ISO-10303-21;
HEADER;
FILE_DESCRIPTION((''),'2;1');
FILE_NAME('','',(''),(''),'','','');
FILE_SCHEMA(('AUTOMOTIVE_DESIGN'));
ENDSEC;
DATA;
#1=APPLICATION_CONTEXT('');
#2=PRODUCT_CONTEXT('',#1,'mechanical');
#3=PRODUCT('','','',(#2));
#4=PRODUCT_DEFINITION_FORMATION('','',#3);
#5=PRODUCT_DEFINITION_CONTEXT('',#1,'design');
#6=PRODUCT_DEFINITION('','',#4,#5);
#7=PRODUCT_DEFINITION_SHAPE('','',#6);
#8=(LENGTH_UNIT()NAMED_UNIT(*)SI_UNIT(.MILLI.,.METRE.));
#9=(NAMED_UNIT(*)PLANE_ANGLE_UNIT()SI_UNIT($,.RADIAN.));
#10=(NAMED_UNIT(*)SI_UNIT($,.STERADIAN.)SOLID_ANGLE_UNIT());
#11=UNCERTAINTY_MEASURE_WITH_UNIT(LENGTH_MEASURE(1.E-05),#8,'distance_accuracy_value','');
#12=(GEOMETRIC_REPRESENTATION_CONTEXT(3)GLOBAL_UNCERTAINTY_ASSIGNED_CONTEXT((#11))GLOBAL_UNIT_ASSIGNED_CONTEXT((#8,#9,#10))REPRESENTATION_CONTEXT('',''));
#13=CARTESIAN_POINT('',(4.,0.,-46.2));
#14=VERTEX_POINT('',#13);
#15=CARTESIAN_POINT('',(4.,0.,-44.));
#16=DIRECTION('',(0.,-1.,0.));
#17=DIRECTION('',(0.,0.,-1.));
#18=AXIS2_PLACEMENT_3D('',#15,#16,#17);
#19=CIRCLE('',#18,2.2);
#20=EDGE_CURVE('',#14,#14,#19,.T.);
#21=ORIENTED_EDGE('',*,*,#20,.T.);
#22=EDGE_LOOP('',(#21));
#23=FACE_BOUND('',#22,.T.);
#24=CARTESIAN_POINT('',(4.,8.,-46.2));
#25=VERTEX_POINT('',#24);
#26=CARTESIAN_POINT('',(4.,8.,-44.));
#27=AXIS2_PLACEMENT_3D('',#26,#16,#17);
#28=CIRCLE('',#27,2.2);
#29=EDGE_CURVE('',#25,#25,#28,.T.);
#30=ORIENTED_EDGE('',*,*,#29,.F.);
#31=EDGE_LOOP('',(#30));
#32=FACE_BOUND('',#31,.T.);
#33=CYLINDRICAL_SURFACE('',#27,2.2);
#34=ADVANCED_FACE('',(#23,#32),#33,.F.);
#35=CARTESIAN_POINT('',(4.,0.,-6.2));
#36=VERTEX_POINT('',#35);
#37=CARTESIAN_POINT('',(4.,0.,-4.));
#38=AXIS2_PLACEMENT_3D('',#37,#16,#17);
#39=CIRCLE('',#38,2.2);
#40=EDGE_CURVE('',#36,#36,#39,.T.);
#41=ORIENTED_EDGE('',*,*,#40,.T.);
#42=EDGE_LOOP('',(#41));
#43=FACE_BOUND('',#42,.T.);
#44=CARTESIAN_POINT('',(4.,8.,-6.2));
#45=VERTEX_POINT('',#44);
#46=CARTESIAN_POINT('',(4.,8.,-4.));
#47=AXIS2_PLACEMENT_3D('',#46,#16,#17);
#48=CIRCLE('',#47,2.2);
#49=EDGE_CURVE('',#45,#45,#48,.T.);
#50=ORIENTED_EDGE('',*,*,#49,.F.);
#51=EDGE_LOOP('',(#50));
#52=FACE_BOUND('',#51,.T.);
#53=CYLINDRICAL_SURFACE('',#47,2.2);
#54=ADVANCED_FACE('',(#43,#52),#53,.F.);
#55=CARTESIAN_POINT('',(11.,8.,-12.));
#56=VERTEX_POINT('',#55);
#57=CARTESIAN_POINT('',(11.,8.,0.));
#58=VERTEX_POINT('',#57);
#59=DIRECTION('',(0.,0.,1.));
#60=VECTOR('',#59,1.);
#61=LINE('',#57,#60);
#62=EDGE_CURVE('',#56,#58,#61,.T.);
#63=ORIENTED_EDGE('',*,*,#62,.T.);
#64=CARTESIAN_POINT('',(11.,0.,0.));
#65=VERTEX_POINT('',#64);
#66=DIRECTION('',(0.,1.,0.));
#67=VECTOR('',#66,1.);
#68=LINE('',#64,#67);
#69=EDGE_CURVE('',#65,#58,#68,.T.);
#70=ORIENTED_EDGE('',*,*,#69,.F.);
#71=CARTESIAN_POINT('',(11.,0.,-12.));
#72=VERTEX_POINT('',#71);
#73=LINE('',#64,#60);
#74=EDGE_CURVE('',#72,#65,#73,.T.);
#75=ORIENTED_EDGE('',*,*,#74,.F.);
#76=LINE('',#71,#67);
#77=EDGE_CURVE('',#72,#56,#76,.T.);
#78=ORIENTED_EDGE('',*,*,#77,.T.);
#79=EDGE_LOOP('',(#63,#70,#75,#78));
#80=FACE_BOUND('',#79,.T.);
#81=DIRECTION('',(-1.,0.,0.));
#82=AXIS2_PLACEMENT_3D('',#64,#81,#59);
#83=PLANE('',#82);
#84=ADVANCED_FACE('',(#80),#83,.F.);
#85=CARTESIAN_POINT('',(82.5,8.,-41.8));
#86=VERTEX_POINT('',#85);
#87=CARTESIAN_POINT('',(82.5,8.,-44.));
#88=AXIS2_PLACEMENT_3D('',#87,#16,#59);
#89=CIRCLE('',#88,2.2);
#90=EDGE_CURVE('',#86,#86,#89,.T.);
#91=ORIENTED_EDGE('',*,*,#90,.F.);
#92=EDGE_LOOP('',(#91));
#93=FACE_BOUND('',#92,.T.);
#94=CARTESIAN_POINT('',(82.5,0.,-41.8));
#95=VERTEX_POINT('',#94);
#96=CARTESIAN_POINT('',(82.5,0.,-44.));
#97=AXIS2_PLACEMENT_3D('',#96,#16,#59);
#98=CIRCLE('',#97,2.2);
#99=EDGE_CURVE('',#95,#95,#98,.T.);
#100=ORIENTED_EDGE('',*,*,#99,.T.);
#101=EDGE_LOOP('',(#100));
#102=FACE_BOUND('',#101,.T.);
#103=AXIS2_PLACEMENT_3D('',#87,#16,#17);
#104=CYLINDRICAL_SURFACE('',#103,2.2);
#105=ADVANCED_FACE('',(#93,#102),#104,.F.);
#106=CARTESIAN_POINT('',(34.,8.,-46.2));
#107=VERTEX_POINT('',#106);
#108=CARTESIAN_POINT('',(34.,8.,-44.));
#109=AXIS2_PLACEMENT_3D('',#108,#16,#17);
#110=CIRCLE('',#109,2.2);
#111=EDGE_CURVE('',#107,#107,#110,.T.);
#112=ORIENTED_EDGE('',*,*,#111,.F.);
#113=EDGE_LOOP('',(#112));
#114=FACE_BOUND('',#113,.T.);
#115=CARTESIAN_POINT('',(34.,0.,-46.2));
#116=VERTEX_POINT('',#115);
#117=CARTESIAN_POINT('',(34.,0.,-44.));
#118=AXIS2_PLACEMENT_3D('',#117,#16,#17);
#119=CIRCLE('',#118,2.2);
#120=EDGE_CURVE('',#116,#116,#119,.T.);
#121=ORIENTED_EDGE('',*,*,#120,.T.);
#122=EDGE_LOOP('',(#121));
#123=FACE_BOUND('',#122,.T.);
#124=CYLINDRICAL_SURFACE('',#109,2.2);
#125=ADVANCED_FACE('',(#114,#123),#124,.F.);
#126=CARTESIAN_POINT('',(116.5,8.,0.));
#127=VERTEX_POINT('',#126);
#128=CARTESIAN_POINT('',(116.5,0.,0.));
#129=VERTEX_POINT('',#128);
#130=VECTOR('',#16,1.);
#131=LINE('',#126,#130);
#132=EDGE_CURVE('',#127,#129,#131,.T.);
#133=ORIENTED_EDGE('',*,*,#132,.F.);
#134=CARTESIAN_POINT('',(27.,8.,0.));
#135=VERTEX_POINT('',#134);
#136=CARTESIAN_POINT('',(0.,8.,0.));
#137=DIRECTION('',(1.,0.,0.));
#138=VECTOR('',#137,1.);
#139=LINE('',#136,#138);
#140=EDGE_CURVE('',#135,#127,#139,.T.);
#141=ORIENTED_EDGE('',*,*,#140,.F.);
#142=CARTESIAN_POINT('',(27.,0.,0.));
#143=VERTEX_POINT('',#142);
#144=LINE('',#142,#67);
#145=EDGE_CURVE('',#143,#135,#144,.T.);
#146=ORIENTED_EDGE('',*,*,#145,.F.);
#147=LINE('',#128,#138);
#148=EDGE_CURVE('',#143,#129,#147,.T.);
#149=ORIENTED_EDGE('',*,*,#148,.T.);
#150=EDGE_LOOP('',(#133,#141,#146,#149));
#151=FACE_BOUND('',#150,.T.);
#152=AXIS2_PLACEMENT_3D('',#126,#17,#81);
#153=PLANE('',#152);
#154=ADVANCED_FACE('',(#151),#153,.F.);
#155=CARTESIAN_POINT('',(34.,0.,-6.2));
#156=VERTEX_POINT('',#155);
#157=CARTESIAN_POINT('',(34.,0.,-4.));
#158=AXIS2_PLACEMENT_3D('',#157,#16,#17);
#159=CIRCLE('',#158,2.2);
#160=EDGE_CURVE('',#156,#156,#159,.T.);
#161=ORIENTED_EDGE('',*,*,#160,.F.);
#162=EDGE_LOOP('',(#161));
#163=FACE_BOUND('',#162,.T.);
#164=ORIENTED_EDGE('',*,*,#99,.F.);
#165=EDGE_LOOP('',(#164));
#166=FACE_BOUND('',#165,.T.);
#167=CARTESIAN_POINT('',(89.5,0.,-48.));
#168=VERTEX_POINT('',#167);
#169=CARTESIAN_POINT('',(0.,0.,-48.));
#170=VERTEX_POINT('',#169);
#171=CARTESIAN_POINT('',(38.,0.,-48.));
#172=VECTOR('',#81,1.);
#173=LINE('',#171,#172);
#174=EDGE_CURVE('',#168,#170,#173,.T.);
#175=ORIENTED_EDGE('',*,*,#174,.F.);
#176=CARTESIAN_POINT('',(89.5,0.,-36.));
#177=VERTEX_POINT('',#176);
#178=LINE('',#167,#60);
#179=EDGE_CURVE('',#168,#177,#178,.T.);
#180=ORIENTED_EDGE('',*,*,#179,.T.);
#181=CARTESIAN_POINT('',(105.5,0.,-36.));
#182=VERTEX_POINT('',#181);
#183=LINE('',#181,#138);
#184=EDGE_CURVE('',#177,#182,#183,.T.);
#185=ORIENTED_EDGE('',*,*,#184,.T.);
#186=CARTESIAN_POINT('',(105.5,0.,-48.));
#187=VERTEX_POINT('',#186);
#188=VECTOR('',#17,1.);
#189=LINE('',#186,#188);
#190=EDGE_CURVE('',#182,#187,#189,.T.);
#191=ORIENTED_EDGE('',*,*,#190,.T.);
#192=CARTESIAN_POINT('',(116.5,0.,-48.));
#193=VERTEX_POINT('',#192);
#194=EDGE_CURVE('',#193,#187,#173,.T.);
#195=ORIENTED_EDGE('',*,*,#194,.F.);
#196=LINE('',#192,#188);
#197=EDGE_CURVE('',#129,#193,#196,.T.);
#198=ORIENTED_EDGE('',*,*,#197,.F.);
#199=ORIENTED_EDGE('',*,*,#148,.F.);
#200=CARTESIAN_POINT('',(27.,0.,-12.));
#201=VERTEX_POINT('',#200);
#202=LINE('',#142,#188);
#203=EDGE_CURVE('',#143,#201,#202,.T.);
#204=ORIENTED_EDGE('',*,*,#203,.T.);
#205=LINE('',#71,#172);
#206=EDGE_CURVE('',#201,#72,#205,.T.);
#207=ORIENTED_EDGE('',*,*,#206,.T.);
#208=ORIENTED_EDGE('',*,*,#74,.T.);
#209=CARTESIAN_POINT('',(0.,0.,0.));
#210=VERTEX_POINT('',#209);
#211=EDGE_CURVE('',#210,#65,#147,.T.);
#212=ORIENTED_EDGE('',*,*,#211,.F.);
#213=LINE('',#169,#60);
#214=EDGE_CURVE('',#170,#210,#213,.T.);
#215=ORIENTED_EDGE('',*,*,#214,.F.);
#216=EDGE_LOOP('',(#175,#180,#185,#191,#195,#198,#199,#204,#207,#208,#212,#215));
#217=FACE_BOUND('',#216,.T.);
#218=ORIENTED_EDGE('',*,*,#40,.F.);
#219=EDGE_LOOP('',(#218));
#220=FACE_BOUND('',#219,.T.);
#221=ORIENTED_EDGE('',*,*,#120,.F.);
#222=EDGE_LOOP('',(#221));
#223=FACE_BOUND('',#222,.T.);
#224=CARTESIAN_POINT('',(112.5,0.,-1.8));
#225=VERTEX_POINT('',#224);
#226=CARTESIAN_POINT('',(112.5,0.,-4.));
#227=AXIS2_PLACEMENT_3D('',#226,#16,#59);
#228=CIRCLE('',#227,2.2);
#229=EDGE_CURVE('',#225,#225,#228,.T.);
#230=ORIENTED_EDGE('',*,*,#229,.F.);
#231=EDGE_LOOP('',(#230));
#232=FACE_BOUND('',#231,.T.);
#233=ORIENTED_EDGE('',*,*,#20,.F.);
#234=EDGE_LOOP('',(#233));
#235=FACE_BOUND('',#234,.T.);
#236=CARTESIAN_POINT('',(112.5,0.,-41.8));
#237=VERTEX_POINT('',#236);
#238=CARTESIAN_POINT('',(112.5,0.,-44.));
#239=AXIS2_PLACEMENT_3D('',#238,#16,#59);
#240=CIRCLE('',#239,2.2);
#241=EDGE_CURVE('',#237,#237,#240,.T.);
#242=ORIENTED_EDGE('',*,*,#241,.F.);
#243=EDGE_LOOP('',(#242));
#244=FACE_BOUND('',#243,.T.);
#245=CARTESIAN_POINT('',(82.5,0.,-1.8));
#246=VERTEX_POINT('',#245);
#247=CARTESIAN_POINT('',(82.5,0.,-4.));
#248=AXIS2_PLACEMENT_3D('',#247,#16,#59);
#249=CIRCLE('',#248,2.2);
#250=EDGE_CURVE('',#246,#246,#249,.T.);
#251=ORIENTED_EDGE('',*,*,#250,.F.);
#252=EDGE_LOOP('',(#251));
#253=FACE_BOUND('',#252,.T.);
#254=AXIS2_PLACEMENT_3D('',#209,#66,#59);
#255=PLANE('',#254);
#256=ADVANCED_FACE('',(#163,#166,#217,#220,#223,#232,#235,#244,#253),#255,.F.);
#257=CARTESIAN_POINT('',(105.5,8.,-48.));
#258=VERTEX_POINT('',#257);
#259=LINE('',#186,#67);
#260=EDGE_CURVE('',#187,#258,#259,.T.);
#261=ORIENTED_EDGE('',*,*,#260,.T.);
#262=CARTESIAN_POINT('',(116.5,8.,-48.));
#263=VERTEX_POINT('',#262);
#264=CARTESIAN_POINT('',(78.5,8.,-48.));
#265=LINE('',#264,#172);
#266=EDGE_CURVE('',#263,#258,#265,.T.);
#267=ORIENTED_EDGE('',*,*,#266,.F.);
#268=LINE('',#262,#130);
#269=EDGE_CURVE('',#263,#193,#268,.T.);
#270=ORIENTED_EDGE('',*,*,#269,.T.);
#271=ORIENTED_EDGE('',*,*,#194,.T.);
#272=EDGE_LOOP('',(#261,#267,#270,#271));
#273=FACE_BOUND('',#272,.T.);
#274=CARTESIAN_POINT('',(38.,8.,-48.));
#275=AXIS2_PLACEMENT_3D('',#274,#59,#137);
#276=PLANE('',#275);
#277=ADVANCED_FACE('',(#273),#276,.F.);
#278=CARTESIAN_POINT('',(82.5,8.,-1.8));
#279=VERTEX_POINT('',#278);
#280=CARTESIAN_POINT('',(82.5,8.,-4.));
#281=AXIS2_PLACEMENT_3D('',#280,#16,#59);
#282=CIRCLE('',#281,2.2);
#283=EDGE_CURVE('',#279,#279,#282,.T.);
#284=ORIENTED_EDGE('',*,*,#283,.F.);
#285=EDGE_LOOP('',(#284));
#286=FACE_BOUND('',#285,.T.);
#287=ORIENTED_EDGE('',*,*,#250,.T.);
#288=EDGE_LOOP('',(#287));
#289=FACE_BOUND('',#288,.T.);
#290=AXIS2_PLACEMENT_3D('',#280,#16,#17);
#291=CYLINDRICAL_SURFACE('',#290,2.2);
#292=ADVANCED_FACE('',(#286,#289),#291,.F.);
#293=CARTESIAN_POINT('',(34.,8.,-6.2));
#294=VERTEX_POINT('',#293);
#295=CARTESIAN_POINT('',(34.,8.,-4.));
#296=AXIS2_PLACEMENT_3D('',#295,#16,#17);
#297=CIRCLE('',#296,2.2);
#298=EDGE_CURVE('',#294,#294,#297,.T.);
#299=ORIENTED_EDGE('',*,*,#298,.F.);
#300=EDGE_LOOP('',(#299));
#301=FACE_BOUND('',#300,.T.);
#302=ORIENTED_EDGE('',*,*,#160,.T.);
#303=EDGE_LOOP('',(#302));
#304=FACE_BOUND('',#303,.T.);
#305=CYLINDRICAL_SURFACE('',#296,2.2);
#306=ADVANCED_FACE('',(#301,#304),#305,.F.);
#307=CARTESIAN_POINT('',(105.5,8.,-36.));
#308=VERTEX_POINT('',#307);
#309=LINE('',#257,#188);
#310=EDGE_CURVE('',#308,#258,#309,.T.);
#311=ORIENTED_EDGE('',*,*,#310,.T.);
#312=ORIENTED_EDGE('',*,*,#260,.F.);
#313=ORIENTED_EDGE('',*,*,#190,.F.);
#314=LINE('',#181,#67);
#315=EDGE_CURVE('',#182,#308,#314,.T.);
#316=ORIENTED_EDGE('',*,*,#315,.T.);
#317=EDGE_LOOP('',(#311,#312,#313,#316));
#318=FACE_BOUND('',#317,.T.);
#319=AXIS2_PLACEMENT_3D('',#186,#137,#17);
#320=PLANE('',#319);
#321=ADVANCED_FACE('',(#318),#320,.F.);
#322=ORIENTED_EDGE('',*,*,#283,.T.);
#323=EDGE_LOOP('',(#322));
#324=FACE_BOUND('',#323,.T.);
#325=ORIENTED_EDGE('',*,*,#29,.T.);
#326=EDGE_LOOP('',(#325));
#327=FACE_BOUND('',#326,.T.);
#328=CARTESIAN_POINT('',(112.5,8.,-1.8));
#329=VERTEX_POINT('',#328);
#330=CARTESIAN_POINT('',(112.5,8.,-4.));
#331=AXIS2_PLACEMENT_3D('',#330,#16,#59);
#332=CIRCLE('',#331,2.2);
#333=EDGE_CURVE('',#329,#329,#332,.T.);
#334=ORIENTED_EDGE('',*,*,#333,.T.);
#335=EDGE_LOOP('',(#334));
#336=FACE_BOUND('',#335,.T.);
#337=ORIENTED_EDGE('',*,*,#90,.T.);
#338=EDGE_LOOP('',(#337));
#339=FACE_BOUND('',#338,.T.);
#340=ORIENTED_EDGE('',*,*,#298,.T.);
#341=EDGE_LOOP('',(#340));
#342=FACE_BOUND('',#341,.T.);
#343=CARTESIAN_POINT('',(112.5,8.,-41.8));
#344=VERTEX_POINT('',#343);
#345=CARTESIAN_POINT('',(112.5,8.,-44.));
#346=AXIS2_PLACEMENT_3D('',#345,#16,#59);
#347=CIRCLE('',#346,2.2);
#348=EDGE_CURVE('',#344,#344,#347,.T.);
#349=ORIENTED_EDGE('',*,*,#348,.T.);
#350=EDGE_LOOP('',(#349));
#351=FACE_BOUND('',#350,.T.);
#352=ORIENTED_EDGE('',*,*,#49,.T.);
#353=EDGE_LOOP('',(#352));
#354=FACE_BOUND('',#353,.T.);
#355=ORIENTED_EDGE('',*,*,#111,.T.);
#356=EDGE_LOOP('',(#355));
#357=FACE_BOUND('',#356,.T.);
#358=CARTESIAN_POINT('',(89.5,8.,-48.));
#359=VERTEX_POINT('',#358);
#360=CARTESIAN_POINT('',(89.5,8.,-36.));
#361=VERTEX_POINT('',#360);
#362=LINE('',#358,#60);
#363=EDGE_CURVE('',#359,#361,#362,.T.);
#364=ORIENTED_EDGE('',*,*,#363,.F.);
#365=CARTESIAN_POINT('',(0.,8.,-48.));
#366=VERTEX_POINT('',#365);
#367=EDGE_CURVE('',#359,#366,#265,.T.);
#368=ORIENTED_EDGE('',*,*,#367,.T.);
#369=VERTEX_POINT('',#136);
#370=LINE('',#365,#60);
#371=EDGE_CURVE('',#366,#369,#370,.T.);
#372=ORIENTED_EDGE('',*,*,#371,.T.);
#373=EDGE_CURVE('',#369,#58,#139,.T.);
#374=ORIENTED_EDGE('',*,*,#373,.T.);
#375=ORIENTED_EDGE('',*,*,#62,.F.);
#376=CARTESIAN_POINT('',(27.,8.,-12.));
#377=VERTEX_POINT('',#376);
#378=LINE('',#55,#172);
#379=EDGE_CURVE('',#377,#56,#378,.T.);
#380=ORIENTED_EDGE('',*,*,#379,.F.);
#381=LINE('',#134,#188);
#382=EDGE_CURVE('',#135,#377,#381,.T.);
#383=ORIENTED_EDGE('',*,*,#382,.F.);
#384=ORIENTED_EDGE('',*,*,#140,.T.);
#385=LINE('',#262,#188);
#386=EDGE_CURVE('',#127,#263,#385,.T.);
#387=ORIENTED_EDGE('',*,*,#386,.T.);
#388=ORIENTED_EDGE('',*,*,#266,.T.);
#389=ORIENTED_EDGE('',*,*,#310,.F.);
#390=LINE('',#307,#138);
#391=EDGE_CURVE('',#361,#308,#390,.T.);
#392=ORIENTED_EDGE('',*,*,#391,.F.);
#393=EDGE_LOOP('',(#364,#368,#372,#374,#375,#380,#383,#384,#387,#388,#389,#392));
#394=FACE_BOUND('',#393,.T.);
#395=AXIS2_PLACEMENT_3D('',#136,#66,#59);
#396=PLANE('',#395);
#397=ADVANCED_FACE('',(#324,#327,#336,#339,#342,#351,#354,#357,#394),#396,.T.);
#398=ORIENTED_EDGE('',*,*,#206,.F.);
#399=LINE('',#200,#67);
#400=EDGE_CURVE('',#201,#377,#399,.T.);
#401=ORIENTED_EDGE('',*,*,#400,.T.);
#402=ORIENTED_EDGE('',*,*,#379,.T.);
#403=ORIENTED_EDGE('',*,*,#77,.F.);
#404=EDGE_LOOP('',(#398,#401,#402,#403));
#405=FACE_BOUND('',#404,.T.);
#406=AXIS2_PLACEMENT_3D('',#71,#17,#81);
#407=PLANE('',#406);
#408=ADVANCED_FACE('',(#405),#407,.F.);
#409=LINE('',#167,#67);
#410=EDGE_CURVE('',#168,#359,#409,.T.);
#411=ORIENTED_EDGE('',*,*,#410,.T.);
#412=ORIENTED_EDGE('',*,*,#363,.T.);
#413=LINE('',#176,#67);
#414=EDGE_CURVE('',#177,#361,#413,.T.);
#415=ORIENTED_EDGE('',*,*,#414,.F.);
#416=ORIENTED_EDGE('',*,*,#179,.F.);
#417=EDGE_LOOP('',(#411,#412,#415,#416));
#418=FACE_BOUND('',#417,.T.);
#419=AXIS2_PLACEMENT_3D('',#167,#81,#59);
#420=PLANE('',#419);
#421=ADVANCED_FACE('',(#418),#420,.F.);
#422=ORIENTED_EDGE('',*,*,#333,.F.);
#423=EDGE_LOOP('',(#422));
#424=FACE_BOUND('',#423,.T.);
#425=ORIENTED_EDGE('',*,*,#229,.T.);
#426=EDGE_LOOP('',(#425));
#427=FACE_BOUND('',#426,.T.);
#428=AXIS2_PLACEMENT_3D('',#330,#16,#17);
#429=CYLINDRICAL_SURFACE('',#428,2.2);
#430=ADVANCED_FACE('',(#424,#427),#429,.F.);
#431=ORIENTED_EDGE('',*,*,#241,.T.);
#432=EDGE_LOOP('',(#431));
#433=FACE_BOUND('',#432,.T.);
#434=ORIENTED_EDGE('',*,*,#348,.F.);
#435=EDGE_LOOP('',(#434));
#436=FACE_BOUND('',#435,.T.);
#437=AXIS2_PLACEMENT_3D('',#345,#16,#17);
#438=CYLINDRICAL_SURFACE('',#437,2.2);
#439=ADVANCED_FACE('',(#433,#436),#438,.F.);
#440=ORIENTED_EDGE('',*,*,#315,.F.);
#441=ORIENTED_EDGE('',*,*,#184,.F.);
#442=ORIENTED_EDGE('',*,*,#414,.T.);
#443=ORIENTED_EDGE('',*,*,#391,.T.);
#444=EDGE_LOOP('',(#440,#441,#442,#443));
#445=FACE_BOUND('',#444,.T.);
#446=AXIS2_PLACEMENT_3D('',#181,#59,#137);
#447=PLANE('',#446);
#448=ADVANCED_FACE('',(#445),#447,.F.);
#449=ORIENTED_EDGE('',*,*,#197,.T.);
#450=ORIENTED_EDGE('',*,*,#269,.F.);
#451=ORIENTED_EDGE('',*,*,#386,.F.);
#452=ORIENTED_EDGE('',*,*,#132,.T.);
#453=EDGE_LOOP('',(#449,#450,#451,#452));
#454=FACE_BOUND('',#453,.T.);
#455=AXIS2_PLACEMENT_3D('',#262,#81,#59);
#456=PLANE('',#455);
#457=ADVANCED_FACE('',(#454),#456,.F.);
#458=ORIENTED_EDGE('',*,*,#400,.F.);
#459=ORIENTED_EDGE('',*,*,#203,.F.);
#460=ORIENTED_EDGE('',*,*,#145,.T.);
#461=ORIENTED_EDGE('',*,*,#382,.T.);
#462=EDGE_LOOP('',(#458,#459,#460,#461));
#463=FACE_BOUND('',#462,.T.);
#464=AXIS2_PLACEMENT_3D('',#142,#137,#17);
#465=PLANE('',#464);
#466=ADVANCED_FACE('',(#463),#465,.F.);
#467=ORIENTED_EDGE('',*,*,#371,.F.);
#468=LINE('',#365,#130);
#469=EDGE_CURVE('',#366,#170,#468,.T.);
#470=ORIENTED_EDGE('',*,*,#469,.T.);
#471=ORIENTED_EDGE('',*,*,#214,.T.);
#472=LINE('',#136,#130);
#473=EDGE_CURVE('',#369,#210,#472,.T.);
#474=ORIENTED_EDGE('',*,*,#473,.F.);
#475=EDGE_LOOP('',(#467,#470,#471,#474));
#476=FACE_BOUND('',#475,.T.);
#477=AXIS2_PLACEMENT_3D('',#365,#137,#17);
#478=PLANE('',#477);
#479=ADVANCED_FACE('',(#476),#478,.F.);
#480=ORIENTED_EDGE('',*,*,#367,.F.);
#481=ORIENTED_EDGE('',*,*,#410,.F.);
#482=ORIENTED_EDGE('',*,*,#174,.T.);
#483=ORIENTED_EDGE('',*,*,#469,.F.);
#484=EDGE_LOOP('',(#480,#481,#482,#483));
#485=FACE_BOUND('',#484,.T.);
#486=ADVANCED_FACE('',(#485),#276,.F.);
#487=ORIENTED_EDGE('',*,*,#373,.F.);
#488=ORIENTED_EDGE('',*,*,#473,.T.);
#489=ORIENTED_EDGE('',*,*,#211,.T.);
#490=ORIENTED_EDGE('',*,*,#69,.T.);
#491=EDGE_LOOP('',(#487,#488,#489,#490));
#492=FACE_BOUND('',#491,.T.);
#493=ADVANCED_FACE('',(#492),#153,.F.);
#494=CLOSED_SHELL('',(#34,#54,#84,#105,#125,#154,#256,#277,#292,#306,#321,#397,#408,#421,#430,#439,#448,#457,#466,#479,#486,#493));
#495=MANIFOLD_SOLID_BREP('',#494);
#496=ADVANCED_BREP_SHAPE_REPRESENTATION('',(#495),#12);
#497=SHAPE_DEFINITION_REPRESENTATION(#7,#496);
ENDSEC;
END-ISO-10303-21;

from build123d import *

# Parameters (mm, degrees)
BOSS_EXTRU_1_DEPTH      = 8
ESQUISSE3_R             = 2.2
ENL_V_MAT_EXTRU_1_DEPTH = 8
ESQUISSE5_W             = 16
ESQUISSE5_H             = 12
ENL_V_MAT_EXTRU_2_DEPTH = 8


with BuildPart() as part:
    # Esquisse1 → Boss.-Extru.1 (new body)
    with BuildSketch(Plane(origin=(0, 0, 0), x_dir=(1, 0, 0), z_dir=(0, 1, 0))):
        Polygon((0, 0), (38, 0), (78.5, 0), (116.5, 0), (116.5, 48), (78.5, 48), (38, 48), (0, 48), align=None)
    extrude(amount=BOSS_EXTRU_1_DEPTH)

    # Esquisse3 → Enlèv. mat.-Extru.1 (cut)
    with BuildSketch(Plane.XZ):
        with Locations((4, -4)):
            Circle(ESQUISSE3_R)
        with Locations((34, -4)):
            Circle(ESQUISSE3_R)
        with Locations((34, -44)):
            Circle(ESQUISSE3_R)
        with Locations((4, -44)):
            Circle(ESQUISSE3_R)
        with Locations((112.5, -44)):
            Circle(ESQUISSE3_R)
        with Locations((82.5, -44)):
            Circle(ESQUISSE3_R)
        with Locations((82.5, -4)):
            Circle(ESQUISSE3_R)
        with Locations((112.5, -4)):
            Circle(ESQUISSE3_R)
    extrude(amount=-ENL_V_MAT_EXTRU_1_DEPTH, mode=Mode.SUBTRACT)

    # Esquisse5 → Enlèv. mat.-Extru.2 (cut)
    with BuildSketch(Plane(origin=(0, 8, 0), x_dir=(1, 0, 0), z_dir=(0, 1, 0))):
        with Locations((97.5, 42)):
            Rectangle(ESQUISSE5_W, ESQUISSE5_H)
        with Locations((19, 6)):
            Rectangle(ESQUISSE5_W, ESQUISSE5_H)
    extrude(amount=-ENL_V_MAT_EXTRU_2_DEPTH, mode=Mode.SUBTRACT)


solid = part.part
